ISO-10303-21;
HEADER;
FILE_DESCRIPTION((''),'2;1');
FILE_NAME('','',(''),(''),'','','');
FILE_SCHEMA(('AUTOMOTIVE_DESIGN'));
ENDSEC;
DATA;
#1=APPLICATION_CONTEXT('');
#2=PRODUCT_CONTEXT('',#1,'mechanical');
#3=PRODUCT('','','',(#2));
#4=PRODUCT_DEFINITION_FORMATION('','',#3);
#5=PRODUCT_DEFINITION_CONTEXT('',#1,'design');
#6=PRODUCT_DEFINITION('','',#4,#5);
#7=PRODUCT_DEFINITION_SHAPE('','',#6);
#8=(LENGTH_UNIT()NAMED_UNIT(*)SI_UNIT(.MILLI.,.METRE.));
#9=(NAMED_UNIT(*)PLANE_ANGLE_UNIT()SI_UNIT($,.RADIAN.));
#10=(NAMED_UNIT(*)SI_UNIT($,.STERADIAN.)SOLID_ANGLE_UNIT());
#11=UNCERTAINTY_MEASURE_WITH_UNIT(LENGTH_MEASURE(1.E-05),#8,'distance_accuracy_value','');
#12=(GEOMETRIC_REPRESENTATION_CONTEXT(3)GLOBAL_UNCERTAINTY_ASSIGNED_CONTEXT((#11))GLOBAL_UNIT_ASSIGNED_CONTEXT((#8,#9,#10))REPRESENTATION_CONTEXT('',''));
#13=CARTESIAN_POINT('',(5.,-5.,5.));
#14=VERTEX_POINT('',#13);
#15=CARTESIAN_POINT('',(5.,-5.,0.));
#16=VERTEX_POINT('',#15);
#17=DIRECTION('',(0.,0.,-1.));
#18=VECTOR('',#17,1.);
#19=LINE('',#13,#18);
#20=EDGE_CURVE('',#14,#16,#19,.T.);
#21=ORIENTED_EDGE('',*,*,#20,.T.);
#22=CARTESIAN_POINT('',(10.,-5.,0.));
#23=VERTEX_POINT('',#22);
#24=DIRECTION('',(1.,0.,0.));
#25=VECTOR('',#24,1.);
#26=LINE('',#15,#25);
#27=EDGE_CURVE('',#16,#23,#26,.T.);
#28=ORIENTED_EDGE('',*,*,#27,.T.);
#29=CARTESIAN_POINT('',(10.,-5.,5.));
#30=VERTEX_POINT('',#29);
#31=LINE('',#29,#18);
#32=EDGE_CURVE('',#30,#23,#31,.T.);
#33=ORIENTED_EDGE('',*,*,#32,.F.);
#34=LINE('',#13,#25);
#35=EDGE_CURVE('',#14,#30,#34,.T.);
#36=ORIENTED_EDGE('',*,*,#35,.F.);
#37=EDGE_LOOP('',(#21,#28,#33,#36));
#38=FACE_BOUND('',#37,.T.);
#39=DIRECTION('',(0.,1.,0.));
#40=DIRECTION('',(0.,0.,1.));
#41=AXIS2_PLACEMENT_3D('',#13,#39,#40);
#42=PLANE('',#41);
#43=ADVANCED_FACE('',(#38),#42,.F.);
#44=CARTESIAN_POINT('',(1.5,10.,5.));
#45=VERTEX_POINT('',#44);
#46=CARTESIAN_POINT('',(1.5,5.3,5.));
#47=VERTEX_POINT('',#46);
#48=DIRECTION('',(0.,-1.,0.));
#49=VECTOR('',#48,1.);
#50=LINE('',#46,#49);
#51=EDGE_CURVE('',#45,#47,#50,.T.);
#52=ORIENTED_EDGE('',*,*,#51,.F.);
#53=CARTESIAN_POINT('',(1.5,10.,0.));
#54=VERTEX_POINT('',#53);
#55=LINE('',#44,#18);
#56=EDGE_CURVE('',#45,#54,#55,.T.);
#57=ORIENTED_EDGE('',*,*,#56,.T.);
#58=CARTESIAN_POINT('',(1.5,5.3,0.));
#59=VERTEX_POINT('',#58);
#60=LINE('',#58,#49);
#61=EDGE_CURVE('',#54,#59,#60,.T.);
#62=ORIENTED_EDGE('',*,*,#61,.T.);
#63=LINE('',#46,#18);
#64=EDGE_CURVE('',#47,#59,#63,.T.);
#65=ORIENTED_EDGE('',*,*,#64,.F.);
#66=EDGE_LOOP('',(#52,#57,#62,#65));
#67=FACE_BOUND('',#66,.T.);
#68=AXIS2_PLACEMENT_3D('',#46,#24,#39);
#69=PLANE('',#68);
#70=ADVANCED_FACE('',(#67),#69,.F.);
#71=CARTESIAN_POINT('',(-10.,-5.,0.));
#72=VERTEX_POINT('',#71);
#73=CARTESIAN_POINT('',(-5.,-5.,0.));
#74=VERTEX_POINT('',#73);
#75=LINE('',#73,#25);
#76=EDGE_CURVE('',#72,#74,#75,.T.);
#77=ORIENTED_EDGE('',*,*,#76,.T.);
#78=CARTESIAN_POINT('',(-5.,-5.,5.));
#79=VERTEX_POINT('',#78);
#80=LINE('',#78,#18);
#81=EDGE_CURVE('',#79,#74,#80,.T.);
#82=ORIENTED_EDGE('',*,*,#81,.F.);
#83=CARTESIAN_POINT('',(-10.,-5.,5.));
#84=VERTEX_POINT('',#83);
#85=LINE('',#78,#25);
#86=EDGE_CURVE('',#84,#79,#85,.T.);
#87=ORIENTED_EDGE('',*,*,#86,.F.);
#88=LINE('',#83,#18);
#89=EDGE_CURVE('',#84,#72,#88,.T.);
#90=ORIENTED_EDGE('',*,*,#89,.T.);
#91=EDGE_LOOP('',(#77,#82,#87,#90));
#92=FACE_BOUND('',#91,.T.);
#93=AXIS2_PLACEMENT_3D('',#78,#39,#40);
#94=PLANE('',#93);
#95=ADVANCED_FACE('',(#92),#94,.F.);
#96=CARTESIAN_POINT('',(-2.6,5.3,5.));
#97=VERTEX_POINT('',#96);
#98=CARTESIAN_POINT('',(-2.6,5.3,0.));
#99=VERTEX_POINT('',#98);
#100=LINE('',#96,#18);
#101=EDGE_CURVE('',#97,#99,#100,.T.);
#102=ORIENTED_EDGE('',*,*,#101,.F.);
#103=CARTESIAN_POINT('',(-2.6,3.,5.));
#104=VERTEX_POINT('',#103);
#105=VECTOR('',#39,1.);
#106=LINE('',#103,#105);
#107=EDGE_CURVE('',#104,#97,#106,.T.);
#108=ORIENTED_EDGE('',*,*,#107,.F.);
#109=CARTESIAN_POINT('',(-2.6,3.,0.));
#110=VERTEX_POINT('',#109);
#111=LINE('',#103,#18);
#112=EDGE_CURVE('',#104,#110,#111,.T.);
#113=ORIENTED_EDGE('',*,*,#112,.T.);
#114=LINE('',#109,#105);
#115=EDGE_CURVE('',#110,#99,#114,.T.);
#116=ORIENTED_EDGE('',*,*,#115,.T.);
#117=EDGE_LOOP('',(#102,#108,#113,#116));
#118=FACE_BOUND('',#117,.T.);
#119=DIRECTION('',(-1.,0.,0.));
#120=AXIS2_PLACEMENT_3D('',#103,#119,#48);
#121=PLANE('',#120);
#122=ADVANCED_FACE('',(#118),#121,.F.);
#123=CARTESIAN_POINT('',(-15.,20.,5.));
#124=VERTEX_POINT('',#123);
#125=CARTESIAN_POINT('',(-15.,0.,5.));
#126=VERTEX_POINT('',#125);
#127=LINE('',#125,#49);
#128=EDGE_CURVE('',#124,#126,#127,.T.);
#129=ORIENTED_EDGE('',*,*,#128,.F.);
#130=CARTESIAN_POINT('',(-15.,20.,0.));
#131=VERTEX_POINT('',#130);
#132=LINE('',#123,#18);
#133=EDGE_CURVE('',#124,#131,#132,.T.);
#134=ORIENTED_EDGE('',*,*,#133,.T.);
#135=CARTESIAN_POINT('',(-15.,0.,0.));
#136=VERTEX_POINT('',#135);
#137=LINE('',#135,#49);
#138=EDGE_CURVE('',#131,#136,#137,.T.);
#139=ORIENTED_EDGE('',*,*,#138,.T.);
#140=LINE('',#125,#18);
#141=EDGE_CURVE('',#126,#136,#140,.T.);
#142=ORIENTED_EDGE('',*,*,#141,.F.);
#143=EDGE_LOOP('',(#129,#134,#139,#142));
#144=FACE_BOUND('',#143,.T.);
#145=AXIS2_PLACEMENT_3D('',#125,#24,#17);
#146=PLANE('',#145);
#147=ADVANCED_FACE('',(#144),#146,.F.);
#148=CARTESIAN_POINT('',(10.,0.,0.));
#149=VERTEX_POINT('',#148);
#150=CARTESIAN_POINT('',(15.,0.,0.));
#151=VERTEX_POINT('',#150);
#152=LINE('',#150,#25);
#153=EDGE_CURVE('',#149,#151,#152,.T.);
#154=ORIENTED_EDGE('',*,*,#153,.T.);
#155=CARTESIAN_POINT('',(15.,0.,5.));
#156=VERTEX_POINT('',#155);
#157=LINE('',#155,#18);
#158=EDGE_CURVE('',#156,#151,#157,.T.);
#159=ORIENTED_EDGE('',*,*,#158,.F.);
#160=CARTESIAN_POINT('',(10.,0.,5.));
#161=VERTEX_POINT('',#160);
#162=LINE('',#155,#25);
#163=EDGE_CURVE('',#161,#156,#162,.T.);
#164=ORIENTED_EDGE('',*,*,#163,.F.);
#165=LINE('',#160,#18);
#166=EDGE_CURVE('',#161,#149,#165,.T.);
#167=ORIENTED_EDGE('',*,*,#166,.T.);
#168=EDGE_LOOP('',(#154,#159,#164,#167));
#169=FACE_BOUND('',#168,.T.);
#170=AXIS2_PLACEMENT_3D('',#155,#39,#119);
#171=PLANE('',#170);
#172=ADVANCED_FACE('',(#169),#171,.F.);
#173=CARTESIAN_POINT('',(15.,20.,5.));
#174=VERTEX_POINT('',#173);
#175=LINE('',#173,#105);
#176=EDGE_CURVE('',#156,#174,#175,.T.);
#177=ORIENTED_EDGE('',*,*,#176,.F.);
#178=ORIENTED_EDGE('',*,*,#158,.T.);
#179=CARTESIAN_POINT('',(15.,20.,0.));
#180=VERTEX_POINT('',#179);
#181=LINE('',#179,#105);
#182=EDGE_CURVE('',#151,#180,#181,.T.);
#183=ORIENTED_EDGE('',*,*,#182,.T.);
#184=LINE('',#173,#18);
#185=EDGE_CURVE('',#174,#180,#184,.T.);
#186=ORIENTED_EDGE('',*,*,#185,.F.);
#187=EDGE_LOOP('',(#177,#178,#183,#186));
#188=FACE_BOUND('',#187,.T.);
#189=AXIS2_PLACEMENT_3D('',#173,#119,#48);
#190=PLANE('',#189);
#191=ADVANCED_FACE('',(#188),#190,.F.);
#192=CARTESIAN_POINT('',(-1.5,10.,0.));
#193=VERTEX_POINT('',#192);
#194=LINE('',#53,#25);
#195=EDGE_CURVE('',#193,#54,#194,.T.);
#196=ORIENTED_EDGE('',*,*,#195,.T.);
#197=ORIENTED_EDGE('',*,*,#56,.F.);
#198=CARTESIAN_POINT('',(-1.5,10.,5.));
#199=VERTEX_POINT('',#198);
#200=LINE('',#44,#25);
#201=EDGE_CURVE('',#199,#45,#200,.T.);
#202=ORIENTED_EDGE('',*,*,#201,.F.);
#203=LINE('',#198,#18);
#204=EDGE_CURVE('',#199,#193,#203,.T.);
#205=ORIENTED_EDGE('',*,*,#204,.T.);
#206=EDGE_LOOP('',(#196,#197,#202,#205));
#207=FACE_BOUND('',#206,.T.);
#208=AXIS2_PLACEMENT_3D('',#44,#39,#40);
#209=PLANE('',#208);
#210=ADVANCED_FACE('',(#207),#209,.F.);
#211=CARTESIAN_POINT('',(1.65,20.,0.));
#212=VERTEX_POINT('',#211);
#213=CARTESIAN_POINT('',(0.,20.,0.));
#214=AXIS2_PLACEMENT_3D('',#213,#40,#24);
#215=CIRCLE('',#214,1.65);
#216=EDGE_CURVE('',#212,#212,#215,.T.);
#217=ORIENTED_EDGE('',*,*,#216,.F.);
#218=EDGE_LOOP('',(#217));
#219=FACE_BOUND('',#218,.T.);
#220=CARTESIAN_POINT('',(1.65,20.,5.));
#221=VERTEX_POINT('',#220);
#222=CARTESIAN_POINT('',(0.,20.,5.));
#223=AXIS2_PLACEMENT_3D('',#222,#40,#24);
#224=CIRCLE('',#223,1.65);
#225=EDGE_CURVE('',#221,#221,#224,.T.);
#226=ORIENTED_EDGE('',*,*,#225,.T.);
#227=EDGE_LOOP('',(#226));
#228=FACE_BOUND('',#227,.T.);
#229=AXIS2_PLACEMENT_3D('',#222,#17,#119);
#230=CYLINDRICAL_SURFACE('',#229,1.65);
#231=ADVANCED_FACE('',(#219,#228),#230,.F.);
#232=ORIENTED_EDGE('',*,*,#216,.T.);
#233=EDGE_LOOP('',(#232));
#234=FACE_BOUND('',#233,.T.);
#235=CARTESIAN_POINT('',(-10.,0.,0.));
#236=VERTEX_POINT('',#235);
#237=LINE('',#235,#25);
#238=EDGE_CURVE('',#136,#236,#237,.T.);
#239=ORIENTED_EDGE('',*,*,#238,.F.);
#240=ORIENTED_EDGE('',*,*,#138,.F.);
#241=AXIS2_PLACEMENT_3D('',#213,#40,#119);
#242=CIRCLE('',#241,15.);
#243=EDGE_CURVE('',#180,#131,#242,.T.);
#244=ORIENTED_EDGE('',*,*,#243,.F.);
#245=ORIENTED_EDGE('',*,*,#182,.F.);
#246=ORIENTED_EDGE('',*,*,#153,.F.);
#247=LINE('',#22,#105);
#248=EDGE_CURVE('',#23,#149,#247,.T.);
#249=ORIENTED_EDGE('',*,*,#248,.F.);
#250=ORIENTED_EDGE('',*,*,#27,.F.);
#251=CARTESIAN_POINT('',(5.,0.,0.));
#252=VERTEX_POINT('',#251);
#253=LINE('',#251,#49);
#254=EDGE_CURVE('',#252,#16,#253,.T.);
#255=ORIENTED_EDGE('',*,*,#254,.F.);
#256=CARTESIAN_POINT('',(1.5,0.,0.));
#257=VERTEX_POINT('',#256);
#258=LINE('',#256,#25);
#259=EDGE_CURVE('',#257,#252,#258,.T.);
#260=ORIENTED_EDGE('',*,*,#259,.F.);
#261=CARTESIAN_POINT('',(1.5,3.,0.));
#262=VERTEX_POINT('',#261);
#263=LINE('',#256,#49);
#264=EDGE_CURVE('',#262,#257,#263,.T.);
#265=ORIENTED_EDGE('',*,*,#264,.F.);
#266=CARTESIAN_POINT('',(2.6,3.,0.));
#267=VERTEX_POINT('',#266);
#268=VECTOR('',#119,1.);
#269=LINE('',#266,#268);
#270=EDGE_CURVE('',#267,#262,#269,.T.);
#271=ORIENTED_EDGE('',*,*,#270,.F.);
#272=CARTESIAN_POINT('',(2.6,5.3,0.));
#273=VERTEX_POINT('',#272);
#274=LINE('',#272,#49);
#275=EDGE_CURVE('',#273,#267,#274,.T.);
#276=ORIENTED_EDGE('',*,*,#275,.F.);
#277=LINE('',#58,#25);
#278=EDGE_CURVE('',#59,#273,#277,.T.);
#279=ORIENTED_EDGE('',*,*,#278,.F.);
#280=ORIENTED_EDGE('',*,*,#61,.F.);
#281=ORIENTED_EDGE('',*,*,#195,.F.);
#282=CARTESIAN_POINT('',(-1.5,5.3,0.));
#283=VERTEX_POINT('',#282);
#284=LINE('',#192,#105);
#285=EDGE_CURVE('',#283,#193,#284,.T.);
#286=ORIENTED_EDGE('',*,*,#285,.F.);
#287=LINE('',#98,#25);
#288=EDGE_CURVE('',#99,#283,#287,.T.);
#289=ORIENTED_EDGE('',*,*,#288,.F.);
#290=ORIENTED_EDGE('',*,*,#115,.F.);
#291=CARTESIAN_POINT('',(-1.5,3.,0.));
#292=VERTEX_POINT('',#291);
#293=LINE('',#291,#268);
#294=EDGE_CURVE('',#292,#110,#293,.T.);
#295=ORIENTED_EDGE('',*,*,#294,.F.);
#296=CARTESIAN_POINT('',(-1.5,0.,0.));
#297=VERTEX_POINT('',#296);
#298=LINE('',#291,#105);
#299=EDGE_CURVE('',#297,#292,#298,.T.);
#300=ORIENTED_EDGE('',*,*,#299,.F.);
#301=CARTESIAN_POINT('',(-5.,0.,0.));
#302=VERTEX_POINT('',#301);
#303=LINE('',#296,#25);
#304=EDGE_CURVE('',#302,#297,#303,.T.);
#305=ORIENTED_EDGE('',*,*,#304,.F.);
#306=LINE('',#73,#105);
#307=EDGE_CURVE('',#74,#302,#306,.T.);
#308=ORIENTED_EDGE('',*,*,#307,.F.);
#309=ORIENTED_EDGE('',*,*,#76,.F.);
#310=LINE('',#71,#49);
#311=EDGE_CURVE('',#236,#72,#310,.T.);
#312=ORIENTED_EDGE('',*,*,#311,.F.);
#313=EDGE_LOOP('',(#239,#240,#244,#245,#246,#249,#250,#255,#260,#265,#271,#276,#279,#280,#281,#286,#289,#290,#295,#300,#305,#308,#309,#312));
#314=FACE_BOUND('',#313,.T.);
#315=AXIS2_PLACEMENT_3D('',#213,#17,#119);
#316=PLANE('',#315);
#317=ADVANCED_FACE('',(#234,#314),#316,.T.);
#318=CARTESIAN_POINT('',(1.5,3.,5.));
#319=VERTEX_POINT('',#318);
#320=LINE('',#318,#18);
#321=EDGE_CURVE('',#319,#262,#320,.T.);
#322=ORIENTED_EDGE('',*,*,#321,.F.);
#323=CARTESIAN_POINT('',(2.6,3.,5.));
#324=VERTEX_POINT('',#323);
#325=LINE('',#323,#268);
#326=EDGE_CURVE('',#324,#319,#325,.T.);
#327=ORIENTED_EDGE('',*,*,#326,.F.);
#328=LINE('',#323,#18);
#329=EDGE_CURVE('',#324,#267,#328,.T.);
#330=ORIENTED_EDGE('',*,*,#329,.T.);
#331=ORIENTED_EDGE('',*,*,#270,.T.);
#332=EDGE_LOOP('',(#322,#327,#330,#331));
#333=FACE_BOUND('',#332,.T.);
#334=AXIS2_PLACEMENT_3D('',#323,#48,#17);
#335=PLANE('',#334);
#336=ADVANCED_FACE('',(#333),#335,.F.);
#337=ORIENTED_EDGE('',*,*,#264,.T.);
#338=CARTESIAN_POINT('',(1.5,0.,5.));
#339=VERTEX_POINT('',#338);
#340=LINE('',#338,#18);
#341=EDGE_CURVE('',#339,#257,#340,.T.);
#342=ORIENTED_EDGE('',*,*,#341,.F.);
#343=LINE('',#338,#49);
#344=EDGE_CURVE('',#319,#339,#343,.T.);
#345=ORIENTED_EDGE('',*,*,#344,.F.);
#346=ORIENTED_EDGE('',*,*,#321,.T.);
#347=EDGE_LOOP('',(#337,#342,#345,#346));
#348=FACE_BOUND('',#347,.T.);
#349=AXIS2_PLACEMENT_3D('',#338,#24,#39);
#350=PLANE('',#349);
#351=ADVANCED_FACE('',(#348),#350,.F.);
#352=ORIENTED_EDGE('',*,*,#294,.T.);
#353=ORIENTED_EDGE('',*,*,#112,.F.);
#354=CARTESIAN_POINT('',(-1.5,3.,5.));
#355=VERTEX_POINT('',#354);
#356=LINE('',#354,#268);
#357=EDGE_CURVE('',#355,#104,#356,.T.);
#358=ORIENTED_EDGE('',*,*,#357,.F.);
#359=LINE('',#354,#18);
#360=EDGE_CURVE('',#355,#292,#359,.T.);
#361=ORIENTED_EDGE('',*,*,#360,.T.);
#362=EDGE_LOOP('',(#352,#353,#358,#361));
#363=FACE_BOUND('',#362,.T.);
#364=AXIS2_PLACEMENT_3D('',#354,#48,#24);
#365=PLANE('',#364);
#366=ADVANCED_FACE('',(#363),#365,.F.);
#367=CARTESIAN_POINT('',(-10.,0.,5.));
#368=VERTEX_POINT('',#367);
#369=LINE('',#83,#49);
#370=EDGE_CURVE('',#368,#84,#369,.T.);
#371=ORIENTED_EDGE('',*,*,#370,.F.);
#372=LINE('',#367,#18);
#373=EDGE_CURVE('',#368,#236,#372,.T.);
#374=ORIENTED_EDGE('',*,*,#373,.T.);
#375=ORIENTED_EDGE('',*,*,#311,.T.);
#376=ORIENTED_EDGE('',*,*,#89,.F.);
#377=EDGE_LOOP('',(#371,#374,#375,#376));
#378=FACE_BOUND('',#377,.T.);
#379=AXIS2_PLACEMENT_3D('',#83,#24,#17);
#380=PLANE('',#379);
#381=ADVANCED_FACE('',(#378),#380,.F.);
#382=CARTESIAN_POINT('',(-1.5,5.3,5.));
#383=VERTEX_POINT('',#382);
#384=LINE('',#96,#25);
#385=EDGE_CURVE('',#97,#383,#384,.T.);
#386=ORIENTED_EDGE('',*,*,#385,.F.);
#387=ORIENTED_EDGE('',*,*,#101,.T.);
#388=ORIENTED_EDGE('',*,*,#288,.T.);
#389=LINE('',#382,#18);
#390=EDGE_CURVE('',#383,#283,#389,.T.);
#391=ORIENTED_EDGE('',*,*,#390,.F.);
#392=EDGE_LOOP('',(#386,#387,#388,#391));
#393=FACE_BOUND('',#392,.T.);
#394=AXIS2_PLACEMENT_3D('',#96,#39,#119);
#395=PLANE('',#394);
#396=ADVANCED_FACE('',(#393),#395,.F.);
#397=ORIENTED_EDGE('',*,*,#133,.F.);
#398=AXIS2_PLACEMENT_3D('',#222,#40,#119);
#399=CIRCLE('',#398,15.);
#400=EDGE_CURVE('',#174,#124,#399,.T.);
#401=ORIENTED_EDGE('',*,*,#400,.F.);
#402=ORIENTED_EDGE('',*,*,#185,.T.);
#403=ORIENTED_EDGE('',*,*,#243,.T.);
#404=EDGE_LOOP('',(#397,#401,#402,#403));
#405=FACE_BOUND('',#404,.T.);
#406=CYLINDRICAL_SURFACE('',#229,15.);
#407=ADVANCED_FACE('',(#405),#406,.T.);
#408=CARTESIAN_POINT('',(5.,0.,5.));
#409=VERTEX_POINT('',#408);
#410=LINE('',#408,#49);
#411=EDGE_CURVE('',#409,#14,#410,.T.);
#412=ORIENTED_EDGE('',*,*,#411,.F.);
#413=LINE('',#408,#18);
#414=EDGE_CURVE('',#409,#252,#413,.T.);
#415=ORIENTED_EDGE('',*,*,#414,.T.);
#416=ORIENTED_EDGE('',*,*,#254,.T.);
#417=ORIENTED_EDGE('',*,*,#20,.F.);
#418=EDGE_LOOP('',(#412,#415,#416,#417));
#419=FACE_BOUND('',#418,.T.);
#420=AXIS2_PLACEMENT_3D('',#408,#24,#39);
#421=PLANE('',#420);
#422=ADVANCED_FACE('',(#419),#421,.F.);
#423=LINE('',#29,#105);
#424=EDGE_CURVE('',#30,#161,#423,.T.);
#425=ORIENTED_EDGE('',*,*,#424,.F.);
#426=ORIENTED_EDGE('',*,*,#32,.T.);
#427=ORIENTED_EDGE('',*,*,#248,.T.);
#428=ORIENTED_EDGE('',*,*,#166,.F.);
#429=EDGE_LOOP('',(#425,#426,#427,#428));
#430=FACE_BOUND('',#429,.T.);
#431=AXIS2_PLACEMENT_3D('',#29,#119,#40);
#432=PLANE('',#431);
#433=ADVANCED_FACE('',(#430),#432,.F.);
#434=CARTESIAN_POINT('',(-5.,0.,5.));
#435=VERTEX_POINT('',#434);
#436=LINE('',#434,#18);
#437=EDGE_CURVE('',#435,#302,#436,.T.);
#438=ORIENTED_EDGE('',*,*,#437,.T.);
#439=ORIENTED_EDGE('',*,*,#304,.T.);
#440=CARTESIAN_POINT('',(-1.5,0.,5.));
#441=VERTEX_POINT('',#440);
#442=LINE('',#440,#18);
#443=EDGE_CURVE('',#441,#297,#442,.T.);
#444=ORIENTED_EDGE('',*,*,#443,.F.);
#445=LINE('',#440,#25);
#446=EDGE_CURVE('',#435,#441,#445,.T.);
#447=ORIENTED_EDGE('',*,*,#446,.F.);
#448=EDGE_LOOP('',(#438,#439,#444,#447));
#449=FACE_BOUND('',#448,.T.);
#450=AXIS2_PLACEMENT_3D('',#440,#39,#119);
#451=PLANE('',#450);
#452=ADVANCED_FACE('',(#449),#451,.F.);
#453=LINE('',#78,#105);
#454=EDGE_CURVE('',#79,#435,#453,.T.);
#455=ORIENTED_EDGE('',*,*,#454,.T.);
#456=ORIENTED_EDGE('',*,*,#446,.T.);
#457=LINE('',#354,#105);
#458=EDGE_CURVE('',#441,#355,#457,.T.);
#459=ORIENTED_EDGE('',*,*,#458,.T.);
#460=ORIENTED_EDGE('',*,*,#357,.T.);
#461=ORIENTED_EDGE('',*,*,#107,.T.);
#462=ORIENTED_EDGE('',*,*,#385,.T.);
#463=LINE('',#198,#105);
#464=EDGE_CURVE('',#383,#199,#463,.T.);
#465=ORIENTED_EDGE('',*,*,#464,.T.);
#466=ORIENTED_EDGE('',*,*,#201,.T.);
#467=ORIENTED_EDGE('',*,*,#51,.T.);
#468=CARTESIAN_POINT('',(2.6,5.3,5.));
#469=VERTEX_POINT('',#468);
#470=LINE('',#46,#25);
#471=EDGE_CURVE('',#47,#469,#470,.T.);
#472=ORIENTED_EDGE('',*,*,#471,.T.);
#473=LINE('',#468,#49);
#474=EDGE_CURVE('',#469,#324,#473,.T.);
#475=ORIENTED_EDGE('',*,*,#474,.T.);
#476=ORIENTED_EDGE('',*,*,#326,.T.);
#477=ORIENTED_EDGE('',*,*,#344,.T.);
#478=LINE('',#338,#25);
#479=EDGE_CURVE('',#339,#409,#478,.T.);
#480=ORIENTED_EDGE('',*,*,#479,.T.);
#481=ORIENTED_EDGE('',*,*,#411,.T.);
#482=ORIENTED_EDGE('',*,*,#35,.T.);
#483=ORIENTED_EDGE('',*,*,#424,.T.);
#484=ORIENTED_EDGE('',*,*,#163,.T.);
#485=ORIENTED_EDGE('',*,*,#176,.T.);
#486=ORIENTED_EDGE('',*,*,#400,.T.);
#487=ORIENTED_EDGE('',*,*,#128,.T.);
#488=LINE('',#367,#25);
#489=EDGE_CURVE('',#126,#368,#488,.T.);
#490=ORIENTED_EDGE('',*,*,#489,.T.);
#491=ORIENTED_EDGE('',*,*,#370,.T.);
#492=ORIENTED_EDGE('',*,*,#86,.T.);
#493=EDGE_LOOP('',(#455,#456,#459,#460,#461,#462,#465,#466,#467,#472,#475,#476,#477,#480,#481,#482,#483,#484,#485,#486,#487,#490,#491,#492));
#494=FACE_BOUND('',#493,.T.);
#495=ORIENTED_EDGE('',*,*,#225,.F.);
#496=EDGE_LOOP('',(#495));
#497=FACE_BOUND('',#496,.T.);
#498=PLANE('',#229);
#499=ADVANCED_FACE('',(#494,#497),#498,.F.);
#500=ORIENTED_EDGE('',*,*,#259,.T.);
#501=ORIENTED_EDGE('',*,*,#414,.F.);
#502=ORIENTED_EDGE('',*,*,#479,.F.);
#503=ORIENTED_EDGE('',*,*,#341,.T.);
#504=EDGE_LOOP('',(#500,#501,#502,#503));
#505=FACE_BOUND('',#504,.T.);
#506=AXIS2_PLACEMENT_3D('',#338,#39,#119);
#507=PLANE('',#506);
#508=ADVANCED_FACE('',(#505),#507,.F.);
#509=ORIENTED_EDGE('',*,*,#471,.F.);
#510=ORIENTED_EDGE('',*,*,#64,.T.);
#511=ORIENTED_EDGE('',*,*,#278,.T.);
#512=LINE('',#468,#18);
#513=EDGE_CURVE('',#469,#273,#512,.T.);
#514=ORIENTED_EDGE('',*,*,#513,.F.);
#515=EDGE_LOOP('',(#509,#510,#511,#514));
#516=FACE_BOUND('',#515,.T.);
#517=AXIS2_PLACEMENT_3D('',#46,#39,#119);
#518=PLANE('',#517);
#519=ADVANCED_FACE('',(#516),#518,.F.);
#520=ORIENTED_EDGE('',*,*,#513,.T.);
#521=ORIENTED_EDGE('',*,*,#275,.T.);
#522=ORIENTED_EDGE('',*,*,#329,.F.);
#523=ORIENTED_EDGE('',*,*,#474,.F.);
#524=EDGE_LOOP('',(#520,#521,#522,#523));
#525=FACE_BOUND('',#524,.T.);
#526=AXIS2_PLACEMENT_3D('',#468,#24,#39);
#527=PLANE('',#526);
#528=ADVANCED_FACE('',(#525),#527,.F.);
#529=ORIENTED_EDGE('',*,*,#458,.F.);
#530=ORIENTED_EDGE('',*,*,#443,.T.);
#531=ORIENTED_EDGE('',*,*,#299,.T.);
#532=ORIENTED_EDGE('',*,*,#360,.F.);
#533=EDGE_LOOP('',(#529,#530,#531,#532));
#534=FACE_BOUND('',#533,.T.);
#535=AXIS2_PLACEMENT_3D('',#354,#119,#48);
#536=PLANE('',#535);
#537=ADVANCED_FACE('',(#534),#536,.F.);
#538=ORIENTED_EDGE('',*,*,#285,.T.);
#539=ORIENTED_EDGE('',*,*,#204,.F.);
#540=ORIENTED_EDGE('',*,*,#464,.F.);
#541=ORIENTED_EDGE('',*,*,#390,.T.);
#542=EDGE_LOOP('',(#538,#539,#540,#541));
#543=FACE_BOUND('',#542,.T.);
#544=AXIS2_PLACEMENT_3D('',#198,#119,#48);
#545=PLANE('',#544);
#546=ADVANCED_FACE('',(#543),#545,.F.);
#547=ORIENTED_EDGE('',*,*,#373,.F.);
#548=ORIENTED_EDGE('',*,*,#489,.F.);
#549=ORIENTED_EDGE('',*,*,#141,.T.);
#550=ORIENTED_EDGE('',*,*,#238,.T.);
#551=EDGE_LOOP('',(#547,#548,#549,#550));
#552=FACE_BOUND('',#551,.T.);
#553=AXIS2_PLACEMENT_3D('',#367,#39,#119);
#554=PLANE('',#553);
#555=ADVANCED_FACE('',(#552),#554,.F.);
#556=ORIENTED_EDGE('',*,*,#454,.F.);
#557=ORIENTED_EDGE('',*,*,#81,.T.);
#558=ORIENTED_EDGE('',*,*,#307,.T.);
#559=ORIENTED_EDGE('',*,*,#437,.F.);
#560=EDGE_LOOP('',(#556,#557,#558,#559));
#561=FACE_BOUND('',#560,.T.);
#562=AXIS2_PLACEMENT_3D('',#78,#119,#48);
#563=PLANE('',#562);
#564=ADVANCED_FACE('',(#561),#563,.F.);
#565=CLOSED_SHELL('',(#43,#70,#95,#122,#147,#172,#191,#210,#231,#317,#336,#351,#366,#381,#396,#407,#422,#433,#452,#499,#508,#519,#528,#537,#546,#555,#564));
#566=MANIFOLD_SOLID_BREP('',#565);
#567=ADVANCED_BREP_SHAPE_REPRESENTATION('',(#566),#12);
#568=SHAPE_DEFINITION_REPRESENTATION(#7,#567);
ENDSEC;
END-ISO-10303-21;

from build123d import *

# Parameters (mm, degrees)
SKETCH1_R           = 1.65
BOSS_EXTRUDE1_DEPTH = 5


with BuildPart() as part:
    # Sketch1 → Boss-Extrude1 (new body)
    with BuildSketch(Plane.XY):
        with BuildLine():
            Line((-10, 0), (-15, 0))
            Line((-15, 0), (-15, 20))
            ThreePointArc((-15, 20), (0, 35), (15, 20))
            Line((15, 20), (15, 0))
            Line((15, 0), (10, 0))
            Line((10, 0), (10, -5))
            Line((10, -5), (5, -5))
            Line((5, -5), (5, 0))
            Line((5, 0), (1.5, 0))
            Line((1.5, 0), (1.5, 3))
            Line((1.5, 3), (2.6, 3))
            Line((2.6, 3), (2.6, 5.3))
            Line((2.6, 5.3), (1.5, 5.3))
            Line((1.5, 5.3), (1.5, 10))
            Line((1.5, 10), (-1.5, 10))
            Line((-1.5, 10), (-1.5, 5.3))
            Line((-1.5, 5.3), (-2.6, 5.3))
            Line((-2.6, 5.3), (-2.6, 3))
            Line((-2.6, 3), (-1.5, 3))
            Line((-1.5, 3), (-1.5, 0))
            Line((-1.5, 0), (-5, 0))
            Line((-5, 0), (-5, -5))
            Line((-5, -5), (-10, -5))
            Line((-10, -5), (-10, 0))
        make_face()
        with Locations((0, 20)):
            Circle(SKETCH1_R, mode=Mode.SUBTRACT)
    extrude(amount=BOSS_EXTRUDE1_DEPTH)


solid = part.part
